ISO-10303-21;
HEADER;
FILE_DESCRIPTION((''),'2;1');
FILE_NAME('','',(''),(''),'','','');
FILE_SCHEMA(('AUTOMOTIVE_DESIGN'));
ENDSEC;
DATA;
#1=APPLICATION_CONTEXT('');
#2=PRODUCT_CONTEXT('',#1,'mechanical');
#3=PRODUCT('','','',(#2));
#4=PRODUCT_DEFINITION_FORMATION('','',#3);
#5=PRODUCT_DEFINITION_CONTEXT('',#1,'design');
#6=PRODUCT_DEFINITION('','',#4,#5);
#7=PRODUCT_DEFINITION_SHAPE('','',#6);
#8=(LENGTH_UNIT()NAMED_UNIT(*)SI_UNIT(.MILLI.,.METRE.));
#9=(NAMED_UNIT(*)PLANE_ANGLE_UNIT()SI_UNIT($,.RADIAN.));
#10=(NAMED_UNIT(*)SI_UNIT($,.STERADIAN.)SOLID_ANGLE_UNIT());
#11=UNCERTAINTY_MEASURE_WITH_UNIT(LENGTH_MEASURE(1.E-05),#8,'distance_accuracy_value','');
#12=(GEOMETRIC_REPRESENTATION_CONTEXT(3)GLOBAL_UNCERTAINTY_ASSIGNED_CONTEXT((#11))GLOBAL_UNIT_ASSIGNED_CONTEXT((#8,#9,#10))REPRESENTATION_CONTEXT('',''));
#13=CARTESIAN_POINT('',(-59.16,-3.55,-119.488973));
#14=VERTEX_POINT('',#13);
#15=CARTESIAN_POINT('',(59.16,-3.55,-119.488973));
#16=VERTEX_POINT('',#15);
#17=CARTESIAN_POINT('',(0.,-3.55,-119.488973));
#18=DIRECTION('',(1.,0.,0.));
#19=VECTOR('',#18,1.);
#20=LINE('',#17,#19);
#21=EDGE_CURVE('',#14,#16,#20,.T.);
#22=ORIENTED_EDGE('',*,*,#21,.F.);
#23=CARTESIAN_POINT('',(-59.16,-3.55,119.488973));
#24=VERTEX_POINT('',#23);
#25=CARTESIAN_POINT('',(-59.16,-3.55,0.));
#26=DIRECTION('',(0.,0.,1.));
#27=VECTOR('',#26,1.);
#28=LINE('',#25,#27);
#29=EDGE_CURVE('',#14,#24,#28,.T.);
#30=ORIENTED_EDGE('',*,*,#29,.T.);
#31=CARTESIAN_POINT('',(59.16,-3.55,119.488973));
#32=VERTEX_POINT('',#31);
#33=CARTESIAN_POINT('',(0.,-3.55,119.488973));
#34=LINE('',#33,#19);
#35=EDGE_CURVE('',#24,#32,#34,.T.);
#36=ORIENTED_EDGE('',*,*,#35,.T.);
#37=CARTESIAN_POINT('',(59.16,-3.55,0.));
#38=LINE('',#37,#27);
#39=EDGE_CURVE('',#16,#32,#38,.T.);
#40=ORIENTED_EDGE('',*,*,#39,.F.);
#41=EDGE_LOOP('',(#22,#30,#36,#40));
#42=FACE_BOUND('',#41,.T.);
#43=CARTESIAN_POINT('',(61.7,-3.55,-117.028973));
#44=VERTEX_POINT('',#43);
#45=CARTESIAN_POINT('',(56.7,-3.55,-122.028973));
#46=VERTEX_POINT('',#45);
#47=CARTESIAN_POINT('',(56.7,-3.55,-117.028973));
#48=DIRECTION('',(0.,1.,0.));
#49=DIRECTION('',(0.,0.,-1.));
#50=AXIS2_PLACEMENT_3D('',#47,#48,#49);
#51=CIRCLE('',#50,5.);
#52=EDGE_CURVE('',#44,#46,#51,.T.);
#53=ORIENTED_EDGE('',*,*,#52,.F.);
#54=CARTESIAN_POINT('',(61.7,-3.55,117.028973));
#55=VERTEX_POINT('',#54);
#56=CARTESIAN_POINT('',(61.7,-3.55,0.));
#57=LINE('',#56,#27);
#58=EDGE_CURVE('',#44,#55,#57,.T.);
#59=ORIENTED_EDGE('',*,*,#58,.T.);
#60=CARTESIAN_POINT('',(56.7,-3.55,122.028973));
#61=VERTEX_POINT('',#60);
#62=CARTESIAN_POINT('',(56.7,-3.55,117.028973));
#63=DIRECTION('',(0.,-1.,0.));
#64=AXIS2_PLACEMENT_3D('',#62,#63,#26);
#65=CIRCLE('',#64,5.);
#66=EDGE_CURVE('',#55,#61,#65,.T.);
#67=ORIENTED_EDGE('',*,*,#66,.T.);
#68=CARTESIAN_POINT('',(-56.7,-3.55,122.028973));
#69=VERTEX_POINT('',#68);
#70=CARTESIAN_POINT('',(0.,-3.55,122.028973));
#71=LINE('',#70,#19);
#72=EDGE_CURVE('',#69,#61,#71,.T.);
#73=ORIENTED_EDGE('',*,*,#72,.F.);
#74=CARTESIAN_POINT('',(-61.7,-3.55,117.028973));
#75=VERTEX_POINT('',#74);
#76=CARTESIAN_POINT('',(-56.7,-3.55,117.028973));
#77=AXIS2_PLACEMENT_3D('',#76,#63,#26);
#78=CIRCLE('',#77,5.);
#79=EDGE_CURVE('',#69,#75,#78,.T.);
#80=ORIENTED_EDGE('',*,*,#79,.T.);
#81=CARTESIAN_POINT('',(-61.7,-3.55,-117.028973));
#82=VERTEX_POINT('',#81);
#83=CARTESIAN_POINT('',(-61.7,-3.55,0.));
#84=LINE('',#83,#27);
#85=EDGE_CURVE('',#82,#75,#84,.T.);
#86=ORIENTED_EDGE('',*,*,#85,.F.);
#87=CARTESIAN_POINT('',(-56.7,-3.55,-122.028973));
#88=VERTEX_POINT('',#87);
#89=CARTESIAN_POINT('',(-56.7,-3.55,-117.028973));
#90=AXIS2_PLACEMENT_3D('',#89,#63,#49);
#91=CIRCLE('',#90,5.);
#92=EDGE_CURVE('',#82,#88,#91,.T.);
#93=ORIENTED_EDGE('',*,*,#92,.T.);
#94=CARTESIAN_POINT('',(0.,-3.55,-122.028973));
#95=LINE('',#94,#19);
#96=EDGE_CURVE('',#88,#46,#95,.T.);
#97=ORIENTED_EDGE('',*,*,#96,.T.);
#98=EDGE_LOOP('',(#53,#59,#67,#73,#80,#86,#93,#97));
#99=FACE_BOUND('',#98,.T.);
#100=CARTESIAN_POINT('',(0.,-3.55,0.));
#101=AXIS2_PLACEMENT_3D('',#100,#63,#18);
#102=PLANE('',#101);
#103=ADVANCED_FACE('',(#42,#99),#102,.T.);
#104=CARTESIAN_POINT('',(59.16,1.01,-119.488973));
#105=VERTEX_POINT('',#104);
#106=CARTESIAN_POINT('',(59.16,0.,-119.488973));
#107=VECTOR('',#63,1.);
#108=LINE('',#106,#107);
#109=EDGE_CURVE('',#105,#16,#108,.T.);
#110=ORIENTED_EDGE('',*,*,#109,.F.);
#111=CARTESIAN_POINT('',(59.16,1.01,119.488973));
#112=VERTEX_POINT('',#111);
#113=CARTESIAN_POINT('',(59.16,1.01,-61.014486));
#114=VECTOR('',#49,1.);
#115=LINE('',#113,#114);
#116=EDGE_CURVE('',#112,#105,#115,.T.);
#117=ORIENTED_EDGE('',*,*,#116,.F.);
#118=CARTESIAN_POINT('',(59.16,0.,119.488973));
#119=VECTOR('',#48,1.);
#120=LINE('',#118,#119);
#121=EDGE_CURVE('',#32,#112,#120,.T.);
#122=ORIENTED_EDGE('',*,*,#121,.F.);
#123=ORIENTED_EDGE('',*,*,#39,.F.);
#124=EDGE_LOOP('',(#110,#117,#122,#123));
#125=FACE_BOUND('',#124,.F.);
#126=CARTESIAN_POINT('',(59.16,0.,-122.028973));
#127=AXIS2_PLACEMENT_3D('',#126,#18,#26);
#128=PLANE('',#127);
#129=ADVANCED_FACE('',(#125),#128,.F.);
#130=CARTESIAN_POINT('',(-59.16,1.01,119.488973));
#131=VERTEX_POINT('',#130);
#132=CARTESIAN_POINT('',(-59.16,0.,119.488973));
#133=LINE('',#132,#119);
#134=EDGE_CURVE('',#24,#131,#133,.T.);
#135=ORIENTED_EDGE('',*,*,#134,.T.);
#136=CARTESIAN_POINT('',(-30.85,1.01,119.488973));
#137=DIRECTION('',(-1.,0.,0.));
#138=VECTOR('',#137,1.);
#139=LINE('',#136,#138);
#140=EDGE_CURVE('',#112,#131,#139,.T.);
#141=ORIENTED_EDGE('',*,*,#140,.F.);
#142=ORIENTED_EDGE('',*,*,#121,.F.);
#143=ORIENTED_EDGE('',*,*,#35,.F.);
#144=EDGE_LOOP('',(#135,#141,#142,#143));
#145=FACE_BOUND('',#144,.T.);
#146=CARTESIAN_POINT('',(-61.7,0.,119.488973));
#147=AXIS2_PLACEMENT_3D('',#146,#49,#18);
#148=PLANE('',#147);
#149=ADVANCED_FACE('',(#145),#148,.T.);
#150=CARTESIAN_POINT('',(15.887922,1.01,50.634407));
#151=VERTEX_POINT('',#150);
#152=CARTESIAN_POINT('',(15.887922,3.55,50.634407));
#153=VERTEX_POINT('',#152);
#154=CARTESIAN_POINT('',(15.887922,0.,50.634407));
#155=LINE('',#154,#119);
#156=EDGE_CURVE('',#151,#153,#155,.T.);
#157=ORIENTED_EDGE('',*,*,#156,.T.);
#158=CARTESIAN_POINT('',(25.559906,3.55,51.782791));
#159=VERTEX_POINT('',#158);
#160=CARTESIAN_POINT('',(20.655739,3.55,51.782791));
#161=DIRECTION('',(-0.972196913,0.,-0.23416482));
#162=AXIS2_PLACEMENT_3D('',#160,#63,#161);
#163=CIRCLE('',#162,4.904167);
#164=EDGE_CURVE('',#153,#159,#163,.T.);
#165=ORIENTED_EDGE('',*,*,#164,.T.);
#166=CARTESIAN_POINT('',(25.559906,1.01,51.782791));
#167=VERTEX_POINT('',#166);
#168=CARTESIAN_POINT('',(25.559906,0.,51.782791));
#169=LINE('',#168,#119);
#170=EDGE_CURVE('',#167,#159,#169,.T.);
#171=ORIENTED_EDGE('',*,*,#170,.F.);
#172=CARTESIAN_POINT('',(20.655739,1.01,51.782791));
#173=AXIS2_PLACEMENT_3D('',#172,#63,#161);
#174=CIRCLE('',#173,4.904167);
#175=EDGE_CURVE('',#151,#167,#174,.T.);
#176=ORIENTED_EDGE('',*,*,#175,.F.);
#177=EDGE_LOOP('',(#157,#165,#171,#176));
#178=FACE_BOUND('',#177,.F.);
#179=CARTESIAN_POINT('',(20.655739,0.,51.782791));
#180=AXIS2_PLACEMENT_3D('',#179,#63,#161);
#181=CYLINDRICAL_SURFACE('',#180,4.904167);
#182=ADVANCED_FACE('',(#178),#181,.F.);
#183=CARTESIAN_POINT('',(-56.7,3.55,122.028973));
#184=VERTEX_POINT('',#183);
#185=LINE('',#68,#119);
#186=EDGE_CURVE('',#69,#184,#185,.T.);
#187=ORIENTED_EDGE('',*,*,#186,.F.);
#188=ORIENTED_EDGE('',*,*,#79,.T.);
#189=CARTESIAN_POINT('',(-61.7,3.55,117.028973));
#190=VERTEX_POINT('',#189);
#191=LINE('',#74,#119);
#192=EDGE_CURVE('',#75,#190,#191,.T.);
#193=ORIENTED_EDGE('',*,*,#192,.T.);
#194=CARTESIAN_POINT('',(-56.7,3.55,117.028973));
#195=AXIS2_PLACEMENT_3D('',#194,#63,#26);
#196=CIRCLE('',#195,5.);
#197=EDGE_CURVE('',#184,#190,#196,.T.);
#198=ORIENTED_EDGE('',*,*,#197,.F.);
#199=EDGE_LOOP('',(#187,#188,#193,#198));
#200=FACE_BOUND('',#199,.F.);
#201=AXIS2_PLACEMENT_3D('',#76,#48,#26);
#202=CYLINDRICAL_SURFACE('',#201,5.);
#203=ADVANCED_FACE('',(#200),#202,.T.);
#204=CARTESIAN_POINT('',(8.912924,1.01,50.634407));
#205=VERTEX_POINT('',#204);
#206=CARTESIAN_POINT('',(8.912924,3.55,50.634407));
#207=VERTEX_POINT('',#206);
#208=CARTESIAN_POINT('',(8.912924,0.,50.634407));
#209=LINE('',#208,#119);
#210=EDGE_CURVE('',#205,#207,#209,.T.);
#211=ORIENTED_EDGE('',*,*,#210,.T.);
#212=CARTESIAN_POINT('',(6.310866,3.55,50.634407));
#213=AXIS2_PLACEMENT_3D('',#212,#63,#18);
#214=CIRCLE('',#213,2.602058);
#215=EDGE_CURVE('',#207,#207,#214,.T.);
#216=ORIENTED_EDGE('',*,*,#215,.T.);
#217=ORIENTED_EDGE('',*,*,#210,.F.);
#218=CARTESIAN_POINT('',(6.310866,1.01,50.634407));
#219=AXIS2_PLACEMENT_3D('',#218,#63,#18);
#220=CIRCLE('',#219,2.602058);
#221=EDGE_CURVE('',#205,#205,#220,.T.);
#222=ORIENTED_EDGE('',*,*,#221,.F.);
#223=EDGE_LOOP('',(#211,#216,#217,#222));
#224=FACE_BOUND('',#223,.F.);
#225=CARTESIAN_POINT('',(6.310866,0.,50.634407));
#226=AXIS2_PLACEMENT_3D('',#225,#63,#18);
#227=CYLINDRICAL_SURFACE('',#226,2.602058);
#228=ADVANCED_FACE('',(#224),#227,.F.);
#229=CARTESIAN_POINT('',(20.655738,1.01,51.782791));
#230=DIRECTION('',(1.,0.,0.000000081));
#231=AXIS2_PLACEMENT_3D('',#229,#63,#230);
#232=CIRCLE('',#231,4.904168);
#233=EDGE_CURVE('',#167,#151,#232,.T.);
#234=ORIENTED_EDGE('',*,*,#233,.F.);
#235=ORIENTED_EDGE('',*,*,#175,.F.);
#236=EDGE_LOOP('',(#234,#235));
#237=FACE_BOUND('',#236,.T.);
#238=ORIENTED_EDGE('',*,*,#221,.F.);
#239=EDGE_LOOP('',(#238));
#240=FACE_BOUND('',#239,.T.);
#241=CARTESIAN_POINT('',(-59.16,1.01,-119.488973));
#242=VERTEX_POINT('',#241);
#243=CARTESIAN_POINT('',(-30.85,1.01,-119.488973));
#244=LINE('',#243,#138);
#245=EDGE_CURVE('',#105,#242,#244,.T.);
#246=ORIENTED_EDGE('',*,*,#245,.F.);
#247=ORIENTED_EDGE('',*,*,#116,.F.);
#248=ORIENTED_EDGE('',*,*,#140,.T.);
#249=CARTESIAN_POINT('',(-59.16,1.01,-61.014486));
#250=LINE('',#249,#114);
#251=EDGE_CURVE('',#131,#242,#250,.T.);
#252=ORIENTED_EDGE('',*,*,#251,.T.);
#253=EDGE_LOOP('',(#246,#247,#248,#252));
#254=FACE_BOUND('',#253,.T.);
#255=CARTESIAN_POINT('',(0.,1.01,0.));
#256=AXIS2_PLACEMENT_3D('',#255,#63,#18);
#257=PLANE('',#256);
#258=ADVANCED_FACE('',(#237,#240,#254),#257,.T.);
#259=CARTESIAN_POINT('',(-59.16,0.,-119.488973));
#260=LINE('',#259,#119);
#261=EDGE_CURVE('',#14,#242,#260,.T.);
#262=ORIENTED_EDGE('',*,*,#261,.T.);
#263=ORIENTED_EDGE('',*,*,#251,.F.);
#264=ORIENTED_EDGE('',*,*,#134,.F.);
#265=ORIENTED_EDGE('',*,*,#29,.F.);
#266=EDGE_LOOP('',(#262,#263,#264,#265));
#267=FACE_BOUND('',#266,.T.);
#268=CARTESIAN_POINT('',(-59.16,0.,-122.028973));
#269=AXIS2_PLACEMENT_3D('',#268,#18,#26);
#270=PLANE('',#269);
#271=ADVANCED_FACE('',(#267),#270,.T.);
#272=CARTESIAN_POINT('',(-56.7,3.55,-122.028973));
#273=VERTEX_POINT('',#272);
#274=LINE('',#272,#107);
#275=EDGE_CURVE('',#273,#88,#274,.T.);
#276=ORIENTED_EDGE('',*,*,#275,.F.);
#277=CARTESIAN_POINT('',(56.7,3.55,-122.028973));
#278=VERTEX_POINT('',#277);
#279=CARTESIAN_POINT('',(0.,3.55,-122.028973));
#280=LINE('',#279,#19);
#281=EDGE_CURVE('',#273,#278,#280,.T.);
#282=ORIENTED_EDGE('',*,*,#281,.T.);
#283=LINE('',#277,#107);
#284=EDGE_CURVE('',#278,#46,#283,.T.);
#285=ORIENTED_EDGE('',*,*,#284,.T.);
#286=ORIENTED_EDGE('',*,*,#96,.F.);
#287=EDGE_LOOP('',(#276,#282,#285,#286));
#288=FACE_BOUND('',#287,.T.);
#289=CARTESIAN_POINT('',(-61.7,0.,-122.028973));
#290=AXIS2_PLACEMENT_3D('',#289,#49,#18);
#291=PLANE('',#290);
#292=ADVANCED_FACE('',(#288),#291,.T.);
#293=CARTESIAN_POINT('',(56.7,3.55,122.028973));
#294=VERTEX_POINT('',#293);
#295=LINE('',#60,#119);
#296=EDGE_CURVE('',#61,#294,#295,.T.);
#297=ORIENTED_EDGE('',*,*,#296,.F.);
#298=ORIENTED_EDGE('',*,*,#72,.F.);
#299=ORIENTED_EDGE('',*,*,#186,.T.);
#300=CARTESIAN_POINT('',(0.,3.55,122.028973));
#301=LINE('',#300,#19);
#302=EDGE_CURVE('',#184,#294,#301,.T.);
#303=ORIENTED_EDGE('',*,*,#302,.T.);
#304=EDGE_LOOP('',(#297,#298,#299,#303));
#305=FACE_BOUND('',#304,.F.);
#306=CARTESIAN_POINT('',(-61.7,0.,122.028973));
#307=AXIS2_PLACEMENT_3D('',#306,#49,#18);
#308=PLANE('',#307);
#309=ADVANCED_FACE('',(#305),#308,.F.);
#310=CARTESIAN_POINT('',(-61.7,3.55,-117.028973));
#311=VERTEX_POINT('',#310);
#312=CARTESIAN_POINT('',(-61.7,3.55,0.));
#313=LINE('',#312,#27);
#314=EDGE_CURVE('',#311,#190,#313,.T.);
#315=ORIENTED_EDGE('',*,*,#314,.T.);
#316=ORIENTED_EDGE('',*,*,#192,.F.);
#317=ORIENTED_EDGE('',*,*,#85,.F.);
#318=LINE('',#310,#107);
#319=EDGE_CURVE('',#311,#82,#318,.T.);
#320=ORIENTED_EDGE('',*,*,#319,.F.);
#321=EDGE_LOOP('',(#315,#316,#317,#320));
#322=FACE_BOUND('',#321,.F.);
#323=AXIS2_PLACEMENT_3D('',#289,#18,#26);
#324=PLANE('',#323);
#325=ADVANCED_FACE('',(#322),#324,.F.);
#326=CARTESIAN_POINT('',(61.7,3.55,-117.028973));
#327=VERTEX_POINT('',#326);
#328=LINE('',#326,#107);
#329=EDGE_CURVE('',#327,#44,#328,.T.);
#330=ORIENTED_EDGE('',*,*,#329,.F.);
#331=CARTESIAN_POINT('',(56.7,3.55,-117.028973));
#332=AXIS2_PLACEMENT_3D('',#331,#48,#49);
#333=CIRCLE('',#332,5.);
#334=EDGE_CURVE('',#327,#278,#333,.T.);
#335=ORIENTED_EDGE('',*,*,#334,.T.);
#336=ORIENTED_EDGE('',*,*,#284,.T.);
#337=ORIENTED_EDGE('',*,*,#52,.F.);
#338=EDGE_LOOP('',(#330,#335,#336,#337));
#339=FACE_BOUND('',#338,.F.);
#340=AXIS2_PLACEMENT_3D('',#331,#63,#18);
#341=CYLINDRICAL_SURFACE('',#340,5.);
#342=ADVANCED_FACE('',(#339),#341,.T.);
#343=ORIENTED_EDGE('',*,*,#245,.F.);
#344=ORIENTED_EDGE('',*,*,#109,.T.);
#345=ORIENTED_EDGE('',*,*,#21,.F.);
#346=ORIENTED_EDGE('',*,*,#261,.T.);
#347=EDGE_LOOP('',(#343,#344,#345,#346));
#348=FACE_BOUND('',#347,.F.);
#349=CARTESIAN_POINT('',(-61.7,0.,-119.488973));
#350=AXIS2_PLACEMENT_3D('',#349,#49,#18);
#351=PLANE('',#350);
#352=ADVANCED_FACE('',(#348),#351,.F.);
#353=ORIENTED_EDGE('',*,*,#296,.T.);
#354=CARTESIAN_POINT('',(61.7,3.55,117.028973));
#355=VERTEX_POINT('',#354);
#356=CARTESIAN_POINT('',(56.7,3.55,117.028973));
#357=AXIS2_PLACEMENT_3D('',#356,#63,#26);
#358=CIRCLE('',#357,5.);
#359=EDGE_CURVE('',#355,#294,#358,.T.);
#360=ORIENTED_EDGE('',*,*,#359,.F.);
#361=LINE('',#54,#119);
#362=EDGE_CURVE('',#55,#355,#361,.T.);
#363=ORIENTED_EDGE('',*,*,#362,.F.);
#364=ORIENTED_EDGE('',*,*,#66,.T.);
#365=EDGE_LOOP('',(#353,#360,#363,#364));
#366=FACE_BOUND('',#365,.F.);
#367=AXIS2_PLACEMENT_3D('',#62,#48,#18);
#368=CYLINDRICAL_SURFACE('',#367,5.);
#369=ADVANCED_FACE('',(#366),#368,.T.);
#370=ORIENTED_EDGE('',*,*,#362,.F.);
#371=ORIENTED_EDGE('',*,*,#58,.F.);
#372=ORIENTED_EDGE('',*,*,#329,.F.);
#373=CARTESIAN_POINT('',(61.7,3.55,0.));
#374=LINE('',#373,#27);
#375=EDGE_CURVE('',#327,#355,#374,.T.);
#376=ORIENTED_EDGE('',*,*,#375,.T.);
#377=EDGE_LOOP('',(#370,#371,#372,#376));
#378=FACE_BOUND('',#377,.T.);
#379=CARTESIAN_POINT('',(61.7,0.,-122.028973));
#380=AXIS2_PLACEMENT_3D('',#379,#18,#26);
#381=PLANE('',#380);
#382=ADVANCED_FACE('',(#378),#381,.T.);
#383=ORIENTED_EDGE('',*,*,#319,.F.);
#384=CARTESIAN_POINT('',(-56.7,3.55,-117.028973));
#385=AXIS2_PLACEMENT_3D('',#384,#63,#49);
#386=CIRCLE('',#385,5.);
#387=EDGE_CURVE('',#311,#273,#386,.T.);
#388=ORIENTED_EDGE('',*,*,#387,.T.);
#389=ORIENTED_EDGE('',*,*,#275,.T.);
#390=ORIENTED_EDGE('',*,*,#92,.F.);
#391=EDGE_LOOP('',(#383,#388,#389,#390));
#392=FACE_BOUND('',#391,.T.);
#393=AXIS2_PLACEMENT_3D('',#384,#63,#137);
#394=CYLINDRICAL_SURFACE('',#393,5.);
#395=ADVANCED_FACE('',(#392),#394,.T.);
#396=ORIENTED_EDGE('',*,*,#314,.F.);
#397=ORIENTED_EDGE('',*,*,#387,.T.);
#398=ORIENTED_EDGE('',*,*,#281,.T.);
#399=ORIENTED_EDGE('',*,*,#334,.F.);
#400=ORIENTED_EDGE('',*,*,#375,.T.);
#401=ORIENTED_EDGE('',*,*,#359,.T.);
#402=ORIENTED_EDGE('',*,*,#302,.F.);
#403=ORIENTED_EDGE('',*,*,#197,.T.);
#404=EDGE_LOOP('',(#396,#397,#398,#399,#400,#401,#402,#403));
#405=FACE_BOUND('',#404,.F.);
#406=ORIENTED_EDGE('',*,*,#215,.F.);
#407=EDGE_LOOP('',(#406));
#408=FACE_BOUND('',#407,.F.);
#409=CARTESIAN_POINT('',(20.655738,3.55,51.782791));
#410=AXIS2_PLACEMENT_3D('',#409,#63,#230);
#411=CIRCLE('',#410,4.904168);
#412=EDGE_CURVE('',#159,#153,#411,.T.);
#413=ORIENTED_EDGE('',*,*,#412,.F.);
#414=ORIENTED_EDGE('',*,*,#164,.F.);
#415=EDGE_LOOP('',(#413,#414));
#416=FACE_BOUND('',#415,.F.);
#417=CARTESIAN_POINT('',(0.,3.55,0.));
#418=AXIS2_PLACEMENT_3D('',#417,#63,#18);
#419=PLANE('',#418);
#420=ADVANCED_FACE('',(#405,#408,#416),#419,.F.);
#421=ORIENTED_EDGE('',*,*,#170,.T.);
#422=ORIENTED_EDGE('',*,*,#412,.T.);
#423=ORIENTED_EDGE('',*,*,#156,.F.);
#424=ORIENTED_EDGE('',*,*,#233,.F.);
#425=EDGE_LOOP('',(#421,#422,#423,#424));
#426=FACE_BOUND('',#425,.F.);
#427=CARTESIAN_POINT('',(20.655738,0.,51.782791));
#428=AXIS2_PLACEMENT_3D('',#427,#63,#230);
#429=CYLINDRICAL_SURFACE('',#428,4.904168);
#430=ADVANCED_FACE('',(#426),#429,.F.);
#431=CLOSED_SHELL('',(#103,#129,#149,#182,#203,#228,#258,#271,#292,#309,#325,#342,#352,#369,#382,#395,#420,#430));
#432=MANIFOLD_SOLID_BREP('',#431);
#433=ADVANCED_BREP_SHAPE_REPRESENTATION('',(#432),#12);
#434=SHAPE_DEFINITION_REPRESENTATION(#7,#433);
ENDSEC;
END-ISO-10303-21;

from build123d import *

# Parameters (mm, degrees)
F0_W     = 123.4
F0_H     = 244.057946
F1_DEPTH = 3.55
F2_T     = -2.54
F4_R     = 5
F3_R     = 2.602058
F5_DEPTH = 25


with BuildPart() as f1:
    # F0 (on Front) → F1 (new body, symmetric)
    with BuildSketch(Plane.XZ):
        Rectangle(F0_W, F0_H)
    extrude(amount=F1_DEPTH, both=True)

    # F2
    f2_openings = [f1.faces().sort_by_distance(p)[0] for p in [
        (0, -3.55, 0),
    ]]
    offset(amount=F2_T, openings=f2_openings)

    # F4
    f4_edges = [f1.edges().sort_by_distance(p)[0] for p in [
        (61.7, 0, 122.028973),
        (-61.7, 0, 122.028973),
        (-61.7, 0, -122.028973),
        (61.7, 0, -122.028973),
    ]]
    fillet(f4_edges, radius=F4_R)

    # F3 (on Front) → F5 (cut)
    with BuildSketch(Plane.XZ):
        with BuildLine():
            ThreePointArc((25.559906, 51.782791), (20.077513, 56.652751), (15.887922, 50.634407))
            ThreePointArc((15.887922, 50.634407), (21.233963, 46.91283), (25.559906, 51.782791))
        make_face()
        with Locations((6.310866, 50.634407)):
            Circle(F3_R)
    extrude(amount=-F5_DEPTH, mode=Mode.SUBTRACT)


solid = f1.part
